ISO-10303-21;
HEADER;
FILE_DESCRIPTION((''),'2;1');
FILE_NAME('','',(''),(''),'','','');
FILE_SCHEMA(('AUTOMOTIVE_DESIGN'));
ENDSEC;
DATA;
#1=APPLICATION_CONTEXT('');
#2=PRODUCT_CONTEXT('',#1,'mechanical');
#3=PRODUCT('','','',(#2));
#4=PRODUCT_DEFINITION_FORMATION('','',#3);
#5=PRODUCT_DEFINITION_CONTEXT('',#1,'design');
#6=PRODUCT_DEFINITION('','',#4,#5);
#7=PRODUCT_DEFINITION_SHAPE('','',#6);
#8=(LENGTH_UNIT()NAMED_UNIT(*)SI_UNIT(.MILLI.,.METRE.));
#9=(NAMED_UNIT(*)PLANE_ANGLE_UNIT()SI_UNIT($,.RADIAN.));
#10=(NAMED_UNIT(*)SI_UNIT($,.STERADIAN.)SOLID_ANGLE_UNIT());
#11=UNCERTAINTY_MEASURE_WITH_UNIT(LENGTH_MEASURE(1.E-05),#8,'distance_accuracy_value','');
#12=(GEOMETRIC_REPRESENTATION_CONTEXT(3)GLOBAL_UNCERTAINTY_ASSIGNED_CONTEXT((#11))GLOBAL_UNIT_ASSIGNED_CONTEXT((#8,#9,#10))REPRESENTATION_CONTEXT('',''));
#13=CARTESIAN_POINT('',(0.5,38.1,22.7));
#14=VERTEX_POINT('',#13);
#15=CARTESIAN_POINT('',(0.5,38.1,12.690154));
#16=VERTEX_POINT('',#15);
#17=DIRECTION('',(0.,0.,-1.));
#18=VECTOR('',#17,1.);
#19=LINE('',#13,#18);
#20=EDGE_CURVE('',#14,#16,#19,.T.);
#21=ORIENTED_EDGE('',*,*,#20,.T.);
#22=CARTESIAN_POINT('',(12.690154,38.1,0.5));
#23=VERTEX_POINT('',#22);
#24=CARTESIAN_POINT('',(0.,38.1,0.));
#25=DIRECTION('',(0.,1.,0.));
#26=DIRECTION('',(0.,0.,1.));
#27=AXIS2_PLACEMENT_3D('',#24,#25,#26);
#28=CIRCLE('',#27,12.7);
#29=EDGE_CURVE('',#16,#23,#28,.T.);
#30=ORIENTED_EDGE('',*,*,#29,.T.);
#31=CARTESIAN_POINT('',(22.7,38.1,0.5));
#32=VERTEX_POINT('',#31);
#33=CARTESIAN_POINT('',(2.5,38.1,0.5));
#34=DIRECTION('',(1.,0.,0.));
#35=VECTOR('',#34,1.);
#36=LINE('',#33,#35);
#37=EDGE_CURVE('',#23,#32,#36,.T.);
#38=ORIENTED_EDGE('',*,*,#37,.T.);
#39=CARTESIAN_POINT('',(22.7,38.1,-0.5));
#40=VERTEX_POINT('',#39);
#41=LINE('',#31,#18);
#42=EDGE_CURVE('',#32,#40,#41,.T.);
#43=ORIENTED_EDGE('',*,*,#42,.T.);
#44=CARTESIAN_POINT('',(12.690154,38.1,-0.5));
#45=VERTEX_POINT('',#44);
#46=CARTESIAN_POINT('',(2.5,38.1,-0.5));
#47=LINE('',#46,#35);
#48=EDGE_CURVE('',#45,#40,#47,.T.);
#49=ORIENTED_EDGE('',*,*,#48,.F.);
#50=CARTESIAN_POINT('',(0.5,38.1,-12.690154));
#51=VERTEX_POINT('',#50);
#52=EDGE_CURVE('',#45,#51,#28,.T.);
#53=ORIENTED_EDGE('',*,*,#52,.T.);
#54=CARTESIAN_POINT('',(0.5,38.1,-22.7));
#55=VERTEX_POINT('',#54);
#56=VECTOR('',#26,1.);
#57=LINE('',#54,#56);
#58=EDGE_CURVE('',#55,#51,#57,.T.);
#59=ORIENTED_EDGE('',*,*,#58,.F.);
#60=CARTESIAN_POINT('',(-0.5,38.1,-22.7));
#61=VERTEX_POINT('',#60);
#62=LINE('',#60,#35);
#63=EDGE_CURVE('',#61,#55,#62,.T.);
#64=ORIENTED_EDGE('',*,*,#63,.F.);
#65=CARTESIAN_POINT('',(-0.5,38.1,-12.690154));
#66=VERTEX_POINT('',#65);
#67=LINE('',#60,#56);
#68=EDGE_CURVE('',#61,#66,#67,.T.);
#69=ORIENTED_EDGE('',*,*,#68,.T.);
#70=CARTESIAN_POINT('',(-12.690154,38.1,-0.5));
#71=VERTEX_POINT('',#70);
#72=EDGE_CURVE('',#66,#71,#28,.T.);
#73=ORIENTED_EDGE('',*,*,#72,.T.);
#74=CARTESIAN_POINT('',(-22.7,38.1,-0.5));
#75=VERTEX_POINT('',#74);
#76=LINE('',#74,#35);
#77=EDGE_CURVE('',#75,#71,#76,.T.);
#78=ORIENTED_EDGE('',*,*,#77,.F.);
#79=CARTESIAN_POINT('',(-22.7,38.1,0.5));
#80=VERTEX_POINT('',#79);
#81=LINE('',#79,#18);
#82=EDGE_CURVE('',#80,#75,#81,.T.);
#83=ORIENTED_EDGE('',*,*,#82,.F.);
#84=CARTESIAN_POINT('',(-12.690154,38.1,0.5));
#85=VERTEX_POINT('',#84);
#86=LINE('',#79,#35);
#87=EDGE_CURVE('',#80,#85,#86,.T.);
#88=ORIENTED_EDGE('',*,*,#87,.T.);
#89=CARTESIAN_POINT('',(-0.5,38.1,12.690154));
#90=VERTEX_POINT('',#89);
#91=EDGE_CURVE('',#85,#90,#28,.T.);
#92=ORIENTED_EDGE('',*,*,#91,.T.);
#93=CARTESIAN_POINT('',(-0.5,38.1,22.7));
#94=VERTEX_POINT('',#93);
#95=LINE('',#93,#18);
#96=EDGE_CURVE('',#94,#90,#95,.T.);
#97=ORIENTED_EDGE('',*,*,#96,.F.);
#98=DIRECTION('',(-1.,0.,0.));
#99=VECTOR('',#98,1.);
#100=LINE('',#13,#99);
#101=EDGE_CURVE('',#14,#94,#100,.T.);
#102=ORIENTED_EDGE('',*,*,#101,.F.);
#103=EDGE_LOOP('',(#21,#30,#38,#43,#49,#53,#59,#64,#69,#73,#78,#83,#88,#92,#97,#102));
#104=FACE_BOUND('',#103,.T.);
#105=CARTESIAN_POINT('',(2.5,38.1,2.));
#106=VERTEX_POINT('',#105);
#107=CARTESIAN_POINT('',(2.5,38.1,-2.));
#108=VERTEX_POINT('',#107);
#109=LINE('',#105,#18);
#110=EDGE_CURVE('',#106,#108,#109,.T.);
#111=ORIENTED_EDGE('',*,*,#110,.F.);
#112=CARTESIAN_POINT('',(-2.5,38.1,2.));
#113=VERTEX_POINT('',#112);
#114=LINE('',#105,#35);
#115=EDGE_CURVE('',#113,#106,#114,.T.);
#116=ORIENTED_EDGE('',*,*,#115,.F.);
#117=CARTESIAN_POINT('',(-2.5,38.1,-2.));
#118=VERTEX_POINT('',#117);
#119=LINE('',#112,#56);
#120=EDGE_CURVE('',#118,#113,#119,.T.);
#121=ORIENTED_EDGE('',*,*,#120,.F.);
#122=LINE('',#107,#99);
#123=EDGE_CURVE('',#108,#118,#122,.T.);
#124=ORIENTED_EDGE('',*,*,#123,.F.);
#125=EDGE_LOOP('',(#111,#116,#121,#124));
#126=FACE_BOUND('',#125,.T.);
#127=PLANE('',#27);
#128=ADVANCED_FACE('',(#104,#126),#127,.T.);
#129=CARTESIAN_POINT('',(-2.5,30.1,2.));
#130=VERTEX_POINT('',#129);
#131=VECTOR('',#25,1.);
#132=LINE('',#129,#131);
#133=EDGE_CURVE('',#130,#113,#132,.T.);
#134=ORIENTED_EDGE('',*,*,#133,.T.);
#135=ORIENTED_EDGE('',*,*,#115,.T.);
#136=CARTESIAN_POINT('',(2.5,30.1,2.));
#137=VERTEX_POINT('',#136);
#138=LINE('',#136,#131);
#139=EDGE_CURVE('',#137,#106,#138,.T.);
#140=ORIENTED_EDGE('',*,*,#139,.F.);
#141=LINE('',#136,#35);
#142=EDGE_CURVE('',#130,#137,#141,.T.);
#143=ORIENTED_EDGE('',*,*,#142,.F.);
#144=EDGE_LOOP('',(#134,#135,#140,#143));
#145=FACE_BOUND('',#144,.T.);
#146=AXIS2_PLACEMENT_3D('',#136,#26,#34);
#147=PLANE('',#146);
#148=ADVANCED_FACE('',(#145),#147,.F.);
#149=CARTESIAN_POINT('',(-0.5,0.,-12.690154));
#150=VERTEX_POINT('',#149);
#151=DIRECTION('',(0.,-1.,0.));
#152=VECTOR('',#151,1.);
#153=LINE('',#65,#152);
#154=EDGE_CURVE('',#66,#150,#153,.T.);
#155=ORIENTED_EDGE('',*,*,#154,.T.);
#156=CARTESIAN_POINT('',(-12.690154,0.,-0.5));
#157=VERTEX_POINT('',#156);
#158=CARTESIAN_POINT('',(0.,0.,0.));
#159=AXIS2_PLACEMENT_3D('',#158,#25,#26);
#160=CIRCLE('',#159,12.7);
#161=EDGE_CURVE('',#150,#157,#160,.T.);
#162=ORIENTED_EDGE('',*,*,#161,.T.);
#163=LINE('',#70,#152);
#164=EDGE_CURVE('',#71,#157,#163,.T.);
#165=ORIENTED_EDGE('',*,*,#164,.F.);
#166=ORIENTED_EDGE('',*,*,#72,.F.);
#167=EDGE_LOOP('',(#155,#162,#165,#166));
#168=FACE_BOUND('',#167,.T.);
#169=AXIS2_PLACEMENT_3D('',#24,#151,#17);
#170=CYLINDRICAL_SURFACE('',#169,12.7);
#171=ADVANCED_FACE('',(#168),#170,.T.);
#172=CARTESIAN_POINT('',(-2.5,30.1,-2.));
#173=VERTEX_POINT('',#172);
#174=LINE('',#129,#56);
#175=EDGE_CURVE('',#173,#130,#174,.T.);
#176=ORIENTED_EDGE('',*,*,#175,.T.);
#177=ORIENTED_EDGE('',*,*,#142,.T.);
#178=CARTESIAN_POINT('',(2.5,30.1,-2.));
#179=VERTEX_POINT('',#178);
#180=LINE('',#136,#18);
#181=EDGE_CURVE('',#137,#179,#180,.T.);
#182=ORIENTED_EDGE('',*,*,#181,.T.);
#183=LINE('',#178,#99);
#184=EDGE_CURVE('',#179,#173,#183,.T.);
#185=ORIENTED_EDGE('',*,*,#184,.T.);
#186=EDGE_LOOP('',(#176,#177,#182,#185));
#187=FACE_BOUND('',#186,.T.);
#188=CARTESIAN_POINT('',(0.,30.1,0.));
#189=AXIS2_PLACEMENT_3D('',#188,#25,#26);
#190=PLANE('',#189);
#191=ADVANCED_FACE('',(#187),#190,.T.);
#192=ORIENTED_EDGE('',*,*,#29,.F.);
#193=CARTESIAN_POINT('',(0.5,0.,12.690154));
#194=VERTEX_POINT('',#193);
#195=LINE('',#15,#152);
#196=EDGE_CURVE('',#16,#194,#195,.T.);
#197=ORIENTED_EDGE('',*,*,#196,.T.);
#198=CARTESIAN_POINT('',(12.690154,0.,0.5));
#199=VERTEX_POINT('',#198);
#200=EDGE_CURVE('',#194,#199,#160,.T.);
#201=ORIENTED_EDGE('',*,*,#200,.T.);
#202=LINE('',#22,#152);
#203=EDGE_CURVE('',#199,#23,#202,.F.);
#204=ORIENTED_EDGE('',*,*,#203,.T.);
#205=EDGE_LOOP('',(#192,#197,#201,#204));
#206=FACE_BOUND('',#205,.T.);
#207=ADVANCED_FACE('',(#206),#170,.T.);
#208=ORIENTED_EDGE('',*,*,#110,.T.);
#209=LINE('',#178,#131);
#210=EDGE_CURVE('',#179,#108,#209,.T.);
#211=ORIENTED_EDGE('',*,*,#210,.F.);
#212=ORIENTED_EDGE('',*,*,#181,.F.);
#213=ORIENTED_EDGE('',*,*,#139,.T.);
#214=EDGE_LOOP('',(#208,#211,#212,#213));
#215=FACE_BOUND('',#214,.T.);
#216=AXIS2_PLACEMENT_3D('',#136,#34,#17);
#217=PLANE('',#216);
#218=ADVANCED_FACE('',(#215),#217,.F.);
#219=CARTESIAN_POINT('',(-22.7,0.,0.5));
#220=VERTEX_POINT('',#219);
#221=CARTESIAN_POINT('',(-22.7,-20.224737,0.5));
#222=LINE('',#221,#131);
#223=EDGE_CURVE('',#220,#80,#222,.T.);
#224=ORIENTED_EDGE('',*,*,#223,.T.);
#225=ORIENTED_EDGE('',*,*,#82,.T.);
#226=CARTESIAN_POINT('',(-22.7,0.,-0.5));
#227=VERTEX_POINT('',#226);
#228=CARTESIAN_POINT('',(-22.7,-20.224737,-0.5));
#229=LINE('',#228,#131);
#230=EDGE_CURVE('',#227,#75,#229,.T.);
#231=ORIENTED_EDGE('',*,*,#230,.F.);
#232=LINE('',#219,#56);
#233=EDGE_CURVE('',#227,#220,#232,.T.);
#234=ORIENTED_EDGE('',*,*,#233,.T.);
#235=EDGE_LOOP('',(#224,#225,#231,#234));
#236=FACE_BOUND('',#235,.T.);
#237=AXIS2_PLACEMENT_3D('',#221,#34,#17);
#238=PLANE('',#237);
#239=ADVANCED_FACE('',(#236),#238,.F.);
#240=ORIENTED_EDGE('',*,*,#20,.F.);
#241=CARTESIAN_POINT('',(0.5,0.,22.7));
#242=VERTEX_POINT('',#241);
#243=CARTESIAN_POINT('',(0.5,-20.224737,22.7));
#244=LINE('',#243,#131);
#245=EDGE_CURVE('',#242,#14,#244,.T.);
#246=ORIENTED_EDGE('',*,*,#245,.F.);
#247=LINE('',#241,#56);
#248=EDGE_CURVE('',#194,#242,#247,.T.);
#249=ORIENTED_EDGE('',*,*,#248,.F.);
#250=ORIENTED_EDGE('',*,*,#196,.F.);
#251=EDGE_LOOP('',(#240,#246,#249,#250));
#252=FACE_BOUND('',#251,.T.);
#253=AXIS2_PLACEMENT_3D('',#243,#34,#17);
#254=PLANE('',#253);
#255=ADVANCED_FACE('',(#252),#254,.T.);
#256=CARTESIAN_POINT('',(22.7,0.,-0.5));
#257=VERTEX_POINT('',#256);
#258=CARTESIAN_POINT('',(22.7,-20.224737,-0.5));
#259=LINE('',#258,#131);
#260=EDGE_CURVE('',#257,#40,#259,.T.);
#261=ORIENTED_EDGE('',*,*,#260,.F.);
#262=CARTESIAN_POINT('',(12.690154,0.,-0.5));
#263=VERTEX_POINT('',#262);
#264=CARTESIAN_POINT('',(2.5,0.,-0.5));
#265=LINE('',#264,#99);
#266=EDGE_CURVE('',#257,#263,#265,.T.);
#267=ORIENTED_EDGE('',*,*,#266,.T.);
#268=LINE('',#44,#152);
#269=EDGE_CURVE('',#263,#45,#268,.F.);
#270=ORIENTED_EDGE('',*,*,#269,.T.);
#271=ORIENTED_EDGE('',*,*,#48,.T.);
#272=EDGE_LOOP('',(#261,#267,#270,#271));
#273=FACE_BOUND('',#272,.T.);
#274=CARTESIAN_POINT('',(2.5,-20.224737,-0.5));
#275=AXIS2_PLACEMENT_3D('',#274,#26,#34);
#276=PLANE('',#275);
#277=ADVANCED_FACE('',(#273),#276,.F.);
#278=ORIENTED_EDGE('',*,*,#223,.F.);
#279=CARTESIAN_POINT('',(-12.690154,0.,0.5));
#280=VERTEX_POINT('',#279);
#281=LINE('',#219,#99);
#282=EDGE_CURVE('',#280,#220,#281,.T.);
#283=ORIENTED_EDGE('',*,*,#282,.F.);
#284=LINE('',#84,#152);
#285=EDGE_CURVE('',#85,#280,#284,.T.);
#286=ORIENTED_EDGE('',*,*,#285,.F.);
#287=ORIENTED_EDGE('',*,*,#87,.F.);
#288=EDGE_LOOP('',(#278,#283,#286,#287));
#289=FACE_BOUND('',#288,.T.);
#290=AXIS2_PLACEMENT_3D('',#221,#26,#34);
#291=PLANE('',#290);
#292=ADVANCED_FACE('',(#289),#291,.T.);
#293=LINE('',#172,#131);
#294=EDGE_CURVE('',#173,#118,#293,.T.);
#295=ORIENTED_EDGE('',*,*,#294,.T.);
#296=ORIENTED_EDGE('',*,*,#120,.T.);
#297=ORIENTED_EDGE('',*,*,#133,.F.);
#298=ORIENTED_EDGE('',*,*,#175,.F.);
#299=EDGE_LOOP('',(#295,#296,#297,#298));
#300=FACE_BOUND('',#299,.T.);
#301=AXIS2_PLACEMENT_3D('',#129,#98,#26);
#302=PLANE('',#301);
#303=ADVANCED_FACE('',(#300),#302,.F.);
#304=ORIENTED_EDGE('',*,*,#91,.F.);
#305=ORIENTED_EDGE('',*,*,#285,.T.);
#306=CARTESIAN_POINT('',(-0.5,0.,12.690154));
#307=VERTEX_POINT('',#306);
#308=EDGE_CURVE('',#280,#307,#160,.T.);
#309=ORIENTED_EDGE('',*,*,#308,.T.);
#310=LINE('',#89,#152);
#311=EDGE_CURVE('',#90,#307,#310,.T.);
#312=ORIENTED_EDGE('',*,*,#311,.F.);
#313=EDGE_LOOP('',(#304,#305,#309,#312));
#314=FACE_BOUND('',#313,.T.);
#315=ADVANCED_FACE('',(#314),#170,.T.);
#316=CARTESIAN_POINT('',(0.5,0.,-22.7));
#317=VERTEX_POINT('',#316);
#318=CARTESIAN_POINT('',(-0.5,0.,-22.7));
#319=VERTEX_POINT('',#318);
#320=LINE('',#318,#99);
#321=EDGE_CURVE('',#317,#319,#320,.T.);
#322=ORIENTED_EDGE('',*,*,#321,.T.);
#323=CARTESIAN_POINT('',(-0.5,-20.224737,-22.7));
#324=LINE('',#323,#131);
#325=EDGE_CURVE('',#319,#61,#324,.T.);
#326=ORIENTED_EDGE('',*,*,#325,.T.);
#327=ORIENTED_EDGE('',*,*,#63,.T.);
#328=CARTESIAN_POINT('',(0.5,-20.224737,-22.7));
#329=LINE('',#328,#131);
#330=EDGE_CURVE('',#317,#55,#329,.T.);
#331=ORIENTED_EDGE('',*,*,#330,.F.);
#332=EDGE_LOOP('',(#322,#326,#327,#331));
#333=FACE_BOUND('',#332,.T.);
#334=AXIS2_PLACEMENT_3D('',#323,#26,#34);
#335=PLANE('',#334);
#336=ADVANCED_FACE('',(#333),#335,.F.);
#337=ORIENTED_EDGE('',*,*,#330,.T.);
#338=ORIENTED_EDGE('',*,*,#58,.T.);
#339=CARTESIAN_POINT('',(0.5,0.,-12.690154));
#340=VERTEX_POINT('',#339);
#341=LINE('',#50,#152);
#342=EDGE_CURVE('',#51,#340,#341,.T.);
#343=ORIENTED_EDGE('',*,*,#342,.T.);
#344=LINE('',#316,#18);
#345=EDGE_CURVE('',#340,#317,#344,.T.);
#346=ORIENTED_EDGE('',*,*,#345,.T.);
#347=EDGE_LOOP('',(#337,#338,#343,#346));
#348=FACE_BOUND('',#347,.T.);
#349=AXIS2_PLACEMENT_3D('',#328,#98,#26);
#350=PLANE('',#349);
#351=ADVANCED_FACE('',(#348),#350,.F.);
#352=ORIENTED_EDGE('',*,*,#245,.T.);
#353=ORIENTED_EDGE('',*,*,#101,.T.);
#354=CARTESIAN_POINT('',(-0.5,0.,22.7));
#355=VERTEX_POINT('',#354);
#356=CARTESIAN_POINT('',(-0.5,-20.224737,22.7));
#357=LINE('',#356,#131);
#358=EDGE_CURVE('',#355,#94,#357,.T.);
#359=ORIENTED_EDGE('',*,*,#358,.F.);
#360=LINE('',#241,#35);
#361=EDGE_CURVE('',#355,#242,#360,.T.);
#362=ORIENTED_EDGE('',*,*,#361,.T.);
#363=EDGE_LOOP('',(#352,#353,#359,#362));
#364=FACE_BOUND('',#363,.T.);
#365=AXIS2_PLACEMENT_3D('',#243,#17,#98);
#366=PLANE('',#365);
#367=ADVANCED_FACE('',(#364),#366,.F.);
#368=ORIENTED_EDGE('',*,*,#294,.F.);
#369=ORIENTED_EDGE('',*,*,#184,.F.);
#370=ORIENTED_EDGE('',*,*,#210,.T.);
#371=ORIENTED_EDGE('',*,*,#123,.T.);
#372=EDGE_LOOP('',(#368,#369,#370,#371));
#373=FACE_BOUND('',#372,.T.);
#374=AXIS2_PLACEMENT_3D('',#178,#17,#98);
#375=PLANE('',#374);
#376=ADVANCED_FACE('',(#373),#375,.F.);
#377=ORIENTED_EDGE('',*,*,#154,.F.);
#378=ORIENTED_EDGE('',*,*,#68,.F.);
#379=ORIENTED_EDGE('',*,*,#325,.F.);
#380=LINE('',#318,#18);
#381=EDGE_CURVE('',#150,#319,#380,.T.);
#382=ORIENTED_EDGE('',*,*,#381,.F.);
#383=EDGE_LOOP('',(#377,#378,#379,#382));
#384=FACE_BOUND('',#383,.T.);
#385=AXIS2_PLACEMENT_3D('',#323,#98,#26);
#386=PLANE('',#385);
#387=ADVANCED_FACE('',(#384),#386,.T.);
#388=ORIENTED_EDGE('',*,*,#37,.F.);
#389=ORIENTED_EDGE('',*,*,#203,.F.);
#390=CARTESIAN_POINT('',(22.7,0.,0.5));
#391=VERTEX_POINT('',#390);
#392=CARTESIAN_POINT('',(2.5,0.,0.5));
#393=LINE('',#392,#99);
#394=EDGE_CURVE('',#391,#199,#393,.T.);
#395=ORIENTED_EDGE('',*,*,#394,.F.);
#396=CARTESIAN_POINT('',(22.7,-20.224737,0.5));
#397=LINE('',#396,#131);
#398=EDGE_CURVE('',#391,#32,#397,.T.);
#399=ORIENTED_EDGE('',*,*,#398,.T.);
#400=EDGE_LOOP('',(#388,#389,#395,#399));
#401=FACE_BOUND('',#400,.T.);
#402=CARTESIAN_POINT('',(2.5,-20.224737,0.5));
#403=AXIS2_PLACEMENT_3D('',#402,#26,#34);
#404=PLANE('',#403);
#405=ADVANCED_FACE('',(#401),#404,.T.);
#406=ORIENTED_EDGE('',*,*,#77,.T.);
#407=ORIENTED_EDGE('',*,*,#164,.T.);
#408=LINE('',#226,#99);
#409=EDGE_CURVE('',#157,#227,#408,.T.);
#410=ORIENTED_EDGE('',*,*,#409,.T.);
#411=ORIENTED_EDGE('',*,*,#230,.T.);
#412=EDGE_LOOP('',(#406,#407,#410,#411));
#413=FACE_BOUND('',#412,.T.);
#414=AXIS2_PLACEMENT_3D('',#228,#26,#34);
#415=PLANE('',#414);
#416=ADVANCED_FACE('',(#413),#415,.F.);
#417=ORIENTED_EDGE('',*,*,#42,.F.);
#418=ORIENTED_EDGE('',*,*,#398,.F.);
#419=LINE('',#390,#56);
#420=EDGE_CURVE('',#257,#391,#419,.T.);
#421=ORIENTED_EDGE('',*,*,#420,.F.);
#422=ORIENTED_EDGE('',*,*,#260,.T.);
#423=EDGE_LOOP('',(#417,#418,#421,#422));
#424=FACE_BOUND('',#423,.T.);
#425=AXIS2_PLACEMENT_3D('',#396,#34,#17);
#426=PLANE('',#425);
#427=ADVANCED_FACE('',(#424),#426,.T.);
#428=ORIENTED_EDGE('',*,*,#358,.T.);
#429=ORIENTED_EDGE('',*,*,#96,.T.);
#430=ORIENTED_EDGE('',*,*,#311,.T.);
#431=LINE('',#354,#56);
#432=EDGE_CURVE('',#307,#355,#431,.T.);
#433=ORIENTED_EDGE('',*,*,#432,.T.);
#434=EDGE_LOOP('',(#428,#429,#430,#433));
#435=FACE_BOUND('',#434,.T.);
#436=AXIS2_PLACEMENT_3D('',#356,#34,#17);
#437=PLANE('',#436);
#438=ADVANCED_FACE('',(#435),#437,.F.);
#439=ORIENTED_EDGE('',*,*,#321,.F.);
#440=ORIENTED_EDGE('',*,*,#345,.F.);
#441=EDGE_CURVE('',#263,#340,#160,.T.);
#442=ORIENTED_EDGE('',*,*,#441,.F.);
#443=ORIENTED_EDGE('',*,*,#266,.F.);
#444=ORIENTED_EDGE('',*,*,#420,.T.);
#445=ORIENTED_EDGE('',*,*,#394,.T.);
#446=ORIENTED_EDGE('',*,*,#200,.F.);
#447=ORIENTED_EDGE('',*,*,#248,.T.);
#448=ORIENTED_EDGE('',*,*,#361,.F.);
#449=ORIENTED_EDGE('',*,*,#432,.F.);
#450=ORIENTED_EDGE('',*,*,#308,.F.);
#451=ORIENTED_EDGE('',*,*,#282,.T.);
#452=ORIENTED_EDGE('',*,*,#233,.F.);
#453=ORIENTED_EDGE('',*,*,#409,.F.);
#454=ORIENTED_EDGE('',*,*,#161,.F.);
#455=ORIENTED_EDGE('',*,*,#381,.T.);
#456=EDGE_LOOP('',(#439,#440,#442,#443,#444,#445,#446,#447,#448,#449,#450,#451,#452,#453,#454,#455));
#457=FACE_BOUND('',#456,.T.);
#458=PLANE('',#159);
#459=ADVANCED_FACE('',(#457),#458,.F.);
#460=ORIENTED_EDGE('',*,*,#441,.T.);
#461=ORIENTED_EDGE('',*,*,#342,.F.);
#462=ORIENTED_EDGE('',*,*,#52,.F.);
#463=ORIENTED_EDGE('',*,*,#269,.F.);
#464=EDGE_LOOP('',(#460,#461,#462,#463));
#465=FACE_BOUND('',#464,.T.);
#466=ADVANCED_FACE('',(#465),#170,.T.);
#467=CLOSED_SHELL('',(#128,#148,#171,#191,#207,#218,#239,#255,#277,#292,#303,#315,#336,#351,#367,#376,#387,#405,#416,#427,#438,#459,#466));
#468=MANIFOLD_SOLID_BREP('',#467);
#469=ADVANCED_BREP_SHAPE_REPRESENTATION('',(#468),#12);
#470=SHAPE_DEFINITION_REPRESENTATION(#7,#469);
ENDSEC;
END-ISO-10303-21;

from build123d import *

# Parameters (mm, degrees)
SKETCH1_R           = 12.7
BOSS_EXTRUDE1_DEPTH = 38.1
SKETCH2_W           = 5
SKETCH2_H           = 4.000000128
CUT_EXTRUDE2_DEPTH  = 8
SKETCH5_W           = 1
SKETCH5_H           = 20.2
SKETCH5_W_2         = 20.2
SKETCH5_H_2         = 1
BOSS_EXTRUDE2_DEPTH = 38.1


with BuildPart() as part:
    # Sketch1 → Boss-Extrude1 (new body)
    with BuildSketch(Plane(origin=(0, 0, 0), x_dir=(1, 0, 0), z_dir=(0, 1, 0))):
        Circle(SKETCH1_R)
    extrude(amount=BOSS_EXTRUDE1_DEPTH)

    # Sketch2 → Cut-Extrude2 (cut)
    with BuildSketch(Plane(origin=(0, 38.1, 0), x_dir=(1, 0, 0), z_dir=(0, 1, 0))):
        Rectangle(SKETCH2_W, SKETCH2_H)
    extrude(amount=-CUT_EXTRUDE2_DEPTH, mode=Mode.SUBTRACT)

    # Sketch5 → Boss-Extrude2 (add)
    with BuildSketch(Plane(origin=(0, 38.1, 0), x_dir=(1, 0, 0), z_dir=(0, 1, 0))):
        with Locations((0, 12.6)):
            Rectangle(SKETCH5_W, SKETCH5_H)
        with Locations((-12.6, 0)):
            Rectangle(SKETCH5_W_2, SKETCH5_H_2)
        with Locations((12.6, 0)):
            Rectangle(SKETCH5_W_2, SKETCH5_H_2)
        with Locations((0, -12.6)):
            Rectangle(SKETCH5_W, SKETCH5_H)
    extrude(amount=-BOSS_EXTRUDE2_DEPTH)


solid = part.part
